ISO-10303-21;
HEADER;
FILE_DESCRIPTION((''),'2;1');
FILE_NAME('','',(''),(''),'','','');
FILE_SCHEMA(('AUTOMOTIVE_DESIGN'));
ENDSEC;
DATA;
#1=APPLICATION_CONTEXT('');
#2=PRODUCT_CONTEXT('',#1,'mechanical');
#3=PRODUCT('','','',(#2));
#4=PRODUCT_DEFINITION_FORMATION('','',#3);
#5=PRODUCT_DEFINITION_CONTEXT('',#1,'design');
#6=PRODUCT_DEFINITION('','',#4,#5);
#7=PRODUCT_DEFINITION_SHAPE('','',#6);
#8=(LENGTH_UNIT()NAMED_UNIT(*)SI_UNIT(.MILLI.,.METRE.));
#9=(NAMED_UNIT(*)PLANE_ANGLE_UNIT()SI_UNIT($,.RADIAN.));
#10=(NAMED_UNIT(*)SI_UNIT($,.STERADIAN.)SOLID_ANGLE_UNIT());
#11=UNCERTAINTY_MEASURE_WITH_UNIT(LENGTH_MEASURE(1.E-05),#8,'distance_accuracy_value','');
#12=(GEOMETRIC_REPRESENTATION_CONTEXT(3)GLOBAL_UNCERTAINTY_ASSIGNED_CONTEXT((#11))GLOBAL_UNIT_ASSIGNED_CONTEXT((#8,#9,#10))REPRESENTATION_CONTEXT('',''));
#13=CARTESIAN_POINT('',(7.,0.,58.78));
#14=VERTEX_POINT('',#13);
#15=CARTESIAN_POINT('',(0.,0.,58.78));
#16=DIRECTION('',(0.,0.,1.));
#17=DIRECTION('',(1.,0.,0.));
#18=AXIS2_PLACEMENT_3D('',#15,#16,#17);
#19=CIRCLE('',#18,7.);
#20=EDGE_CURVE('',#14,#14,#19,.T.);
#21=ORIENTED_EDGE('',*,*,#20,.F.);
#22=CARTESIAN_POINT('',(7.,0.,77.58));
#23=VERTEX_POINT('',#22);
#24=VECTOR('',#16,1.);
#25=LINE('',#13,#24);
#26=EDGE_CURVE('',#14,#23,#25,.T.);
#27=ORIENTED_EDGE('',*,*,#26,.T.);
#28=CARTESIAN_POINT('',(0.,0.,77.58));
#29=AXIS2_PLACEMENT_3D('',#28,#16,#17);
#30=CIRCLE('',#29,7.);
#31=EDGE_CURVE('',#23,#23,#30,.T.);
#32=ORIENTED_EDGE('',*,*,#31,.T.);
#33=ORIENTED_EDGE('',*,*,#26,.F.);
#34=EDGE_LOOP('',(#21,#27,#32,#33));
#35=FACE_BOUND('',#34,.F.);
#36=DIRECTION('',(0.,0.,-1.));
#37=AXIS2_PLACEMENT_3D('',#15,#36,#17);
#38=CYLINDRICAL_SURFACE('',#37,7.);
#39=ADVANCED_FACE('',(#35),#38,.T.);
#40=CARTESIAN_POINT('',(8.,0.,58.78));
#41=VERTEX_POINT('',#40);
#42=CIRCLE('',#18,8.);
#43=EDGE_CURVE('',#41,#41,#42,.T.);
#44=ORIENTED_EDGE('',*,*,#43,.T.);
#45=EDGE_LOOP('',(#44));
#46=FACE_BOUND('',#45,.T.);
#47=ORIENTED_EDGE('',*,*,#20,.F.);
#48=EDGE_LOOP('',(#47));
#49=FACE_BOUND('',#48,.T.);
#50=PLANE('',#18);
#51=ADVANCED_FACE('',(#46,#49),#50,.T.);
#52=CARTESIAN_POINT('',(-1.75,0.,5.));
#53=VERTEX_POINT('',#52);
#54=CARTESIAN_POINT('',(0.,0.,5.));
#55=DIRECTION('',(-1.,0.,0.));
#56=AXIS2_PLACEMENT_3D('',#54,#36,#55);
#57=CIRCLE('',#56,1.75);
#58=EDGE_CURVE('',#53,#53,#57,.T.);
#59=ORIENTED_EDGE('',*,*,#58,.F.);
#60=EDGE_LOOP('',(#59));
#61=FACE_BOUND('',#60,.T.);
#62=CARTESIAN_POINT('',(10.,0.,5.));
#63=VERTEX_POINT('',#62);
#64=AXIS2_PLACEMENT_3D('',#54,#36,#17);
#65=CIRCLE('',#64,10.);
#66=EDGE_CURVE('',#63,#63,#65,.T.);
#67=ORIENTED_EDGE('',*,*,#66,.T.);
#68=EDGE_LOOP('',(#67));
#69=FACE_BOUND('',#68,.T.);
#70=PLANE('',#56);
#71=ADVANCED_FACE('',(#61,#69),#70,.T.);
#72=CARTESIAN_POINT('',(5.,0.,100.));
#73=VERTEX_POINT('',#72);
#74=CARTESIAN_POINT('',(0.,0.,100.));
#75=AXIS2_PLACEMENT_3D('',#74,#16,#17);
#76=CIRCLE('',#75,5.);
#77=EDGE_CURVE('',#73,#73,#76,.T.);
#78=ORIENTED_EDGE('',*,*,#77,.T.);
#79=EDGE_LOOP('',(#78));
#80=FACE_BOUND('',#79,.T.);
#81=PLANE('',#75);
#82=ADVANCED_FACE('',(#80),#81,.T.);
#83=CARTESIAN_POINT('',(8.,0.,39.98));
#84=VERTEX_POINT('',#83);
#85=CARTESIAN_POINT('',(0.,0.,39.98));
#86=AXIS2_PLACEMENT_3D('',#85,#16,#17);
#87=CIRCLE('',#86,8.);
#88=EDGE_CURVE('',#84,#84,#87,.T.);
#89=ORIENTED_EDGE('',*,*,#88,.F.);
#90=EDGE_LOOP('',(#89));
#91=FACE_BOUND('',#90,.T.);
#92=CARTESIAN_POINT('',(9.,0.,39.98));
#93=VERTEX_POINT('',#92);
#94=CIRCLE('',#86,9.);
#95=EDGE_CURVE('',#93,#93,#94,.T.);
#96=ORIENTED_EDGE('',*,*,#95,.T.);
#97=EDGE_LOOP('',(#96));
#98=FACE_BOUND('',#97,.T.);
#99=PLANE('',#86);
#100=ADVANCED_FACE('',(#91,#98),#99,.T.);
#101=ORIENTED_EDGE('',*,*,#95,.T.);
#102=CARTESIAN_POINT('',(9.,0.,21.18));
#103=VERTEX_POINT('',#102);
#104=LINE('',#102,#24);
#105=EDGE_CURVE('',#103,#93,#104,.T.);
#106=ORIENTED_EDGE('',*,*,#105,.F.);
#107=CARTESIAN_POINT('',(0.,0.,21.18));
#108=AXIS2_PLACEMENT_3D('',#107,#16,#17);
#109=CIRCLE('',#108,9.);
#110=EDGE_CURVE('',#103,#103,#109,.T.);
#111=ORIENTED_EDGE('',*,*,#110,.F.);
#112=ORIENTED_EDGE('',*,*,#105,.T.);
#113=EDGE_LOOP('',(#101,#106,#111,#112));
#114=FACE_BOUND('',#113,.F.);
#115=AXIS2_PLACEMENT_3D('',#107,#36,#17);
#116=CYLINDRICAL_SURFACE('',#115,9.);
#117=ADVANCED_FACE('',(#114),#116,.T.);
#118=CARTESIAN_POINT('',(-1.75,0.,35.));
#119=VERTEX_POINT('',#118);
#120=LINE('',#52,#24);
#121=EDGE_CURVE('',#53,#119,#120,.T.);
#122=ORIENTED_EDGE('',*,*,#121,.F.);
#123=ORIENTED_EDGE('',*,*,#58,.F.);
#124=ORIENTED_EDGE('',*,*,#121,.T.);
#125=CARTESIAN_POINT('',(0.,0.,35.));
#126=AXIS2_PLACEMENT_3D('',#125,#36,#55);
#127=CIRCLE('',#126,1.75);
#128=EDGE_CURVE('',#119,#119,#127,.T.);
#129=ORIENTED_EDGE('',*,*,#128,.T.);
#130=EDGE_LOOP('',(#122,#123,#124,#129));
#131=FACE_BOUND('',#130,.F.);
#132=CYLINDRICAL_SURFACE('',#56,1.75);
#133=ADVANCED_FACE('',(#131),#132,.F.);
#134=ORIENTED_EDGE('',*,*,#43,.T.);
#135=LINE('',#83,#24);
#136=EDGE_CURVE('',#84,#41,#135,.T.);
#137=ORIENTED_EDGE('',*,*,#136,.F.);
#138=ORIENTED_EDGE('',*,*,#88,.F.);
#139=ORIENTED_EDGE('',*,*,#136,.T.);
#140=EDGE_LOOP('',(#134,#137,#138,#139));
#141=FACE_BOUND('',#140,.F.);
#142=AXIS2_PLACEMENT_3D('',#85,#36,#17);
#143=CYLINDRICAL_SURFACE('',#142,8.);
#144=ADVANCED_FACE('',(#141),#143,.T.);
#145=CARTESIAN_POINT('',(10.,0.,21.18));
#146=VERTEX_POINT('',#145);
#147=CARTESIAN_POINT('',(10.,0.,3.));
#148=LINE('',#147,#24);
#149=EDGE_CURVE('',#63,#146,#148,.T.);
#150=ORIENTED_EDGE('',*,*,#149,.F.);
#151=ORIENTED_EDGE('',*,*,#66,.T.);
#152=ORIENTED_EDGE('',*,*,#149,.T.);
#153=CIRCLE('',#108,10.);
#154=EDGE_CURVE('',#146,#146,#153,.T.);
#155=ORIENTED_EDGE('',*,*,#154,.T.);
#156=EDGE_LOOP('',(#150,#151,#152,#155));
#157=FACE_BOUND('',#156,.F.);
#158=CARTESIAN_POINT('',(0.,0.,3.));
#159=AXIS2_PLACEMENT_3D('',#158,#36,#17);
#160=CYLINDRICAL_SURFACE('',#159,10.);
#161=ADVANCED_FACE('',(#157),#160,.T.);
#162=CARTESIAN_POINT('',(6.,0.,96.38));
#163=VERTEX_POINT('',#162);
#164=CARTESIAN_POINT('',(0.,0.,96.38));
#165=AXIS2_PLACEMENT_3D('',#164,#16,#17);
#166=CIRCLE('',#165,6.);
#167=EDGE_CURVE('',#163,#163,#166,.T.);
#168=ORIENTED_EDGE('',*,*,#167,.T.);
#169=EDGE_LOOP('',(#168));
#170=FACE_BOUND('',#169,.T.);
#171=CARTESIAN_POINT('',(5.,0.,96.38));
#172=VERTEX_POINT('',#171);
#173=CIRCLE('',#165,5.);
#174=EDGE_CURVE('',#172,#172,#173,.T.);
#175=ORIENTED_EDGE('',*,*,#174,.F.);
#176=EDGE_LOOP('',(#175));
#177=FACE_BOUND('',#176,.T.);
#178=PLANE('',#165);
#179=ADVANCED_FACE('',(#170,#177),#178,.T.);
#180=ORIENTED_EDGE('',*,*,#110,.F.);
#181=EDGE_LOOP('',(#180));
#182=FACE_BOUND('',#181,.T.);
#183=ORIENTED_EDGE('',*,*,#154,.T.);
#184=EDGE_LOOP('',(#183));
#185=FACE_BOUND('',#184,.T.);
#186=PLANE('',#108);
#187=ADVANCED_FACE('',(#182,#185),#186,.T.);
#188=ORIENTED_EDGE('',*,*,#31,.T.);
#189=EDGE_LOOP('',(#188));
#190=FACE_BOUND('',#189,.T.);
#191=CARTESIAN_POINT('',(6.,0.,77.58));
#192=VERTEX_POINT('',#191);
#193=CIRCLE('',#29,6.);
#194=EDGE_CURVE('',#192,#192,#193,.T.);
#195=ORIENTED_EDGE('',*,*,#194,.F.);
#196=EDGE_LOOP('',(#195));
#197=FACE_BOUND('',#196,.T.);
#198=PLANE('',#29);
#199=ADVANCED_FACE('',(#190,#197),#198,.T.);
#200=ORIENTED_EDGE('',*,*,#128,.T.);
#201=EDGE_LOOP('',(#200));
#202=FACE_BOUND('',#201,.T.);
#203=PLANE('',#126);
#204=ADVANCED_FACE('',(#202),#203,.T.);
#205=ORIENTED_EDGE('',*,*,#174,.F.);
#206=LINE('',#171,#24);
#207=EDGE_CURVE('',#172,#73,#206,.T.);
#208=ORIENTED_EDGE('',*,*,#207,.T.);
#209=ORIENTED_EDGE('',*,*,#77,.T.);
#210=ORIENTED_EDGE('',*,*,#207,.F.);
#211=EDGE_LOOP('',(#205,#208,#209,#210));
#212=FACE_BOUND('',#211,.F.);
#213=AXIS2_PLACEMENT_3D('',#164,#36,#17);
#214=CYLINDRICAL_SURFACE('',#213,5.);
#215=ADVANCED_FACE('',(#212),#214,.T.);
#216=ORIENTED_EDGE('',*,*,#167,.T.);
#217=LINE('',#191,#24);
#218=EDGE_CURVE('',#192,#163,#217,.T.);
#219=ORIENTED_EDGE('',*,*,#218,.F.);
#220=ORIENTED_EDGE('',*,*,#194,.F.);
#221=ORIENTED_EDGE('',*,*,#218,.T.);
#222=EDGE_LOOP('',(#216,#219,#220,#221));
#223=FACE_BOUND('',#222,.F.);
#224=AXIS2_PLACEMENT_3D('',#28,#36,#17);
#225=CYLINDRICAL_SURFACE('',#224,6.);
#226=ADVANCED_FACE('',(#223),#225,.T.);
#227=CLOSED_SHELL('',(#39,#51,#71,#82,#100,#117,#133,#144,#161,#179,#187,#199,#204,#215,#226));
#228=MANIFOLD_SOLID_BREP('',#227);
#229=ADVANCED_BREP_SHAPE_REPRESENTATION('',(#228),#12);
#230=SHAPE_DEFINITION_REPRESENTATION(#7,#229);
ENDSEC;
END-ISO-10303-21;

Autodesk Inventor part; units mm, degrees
ref_plane "YZ Plane" through (0, 0, 0) normal (1, 0, 0) x (0, 1, 0)
ref_plane "XZ Plane" through (0, 0, 0) normal (0, 1, 0) x (-1, 0, 0)
ref_plane "XY Plane" through (0, 0, 0) normal (0, 0, 1) x (1, 0, 0)
sketch "Sketch1" plane through (0, 0, 0) normal (0, 0, 1) x (1, 0, 0)
  circle A0 centre (0, 0) radius 15
  dimension "d0" = 30
extrude "Extrusion1" add sketch "Sketch1" along normal blind 3
sketch "Sketch2" plane through (0, 0, 3) normal (0, 0, 1) x (1, 0, 0)
  circle A0 centre (0, 0) radius 10
  dimension "d3" = 20
extrude "Extrusion2" add sketch "Sketch2" along normal blind 18.18
sketch "Sketch3" plane through (0, 0, 21.18) normal (0, 0, 1) x (1, 0, 0)
  circle A0 centre (0, 0) radius 9
  dimension "d6" = 18
extrude "Extrusion3" add sketch "Sketch3" along normal blind 18.8
sketch "Sketch4" plane through (0, 0, 39.98) normal (0, 0, 1) x (1, 0, 0)
  circle A0 centre (0, 0) radius 8
  dimension "d9" = 16
extrude "Extrusion4" add sketch "Sketch4" along normal blind 18.8
sketch "Sketch5" plane through (0, 0, 58.78) normal (0, 0, 1) x (1, 0, 0)
  circle A0 centre (0, 0) radius 7
  dimension "d12" = 14
extrude "Extrusion5" add sketch "Sketch5" along normal blind 18.8
sketch "Sketch6" plane through (0, 0, 77.58) normal (0, 0, 1) x (1, 0, 0)
  circle A0 centre (0, 0) radius 6
  dimension "d15" = 12
extrude "Extrusion6" add sketch "Sketch6" along normal blind 18.8
sketch "Sketch7" plane through (0, 0, 96.38) normal (0, 0, 1) x (1, 0, 0)
  circle A0 centre (0, 0) radius 5
  dimension "d18" = 10
extrude "Extrusion7" add sketch "Sketch7" along normal blind 3.62
sketch "Sketch8" plane through (0, 0, 0) normal (0, 0, -1) x (-1, 0, 0)
  circle A0 centre (0, 0) radius 20
  dimension "d21" = 40
extrude "Extrusion8" cut sketch "Sketch8" against normal blind 5
sketch "Sketch9" plane through (0, 0, 5) normal (0, 0, -1) x (-1, 0, 0)
  circle A0 centre (0, 0) radius 1.75
  dimension "d24" = 3.5
extrude "Extrusion9" cut sketch "Sketch9" against normal blind 30
properties part number "Guide"
